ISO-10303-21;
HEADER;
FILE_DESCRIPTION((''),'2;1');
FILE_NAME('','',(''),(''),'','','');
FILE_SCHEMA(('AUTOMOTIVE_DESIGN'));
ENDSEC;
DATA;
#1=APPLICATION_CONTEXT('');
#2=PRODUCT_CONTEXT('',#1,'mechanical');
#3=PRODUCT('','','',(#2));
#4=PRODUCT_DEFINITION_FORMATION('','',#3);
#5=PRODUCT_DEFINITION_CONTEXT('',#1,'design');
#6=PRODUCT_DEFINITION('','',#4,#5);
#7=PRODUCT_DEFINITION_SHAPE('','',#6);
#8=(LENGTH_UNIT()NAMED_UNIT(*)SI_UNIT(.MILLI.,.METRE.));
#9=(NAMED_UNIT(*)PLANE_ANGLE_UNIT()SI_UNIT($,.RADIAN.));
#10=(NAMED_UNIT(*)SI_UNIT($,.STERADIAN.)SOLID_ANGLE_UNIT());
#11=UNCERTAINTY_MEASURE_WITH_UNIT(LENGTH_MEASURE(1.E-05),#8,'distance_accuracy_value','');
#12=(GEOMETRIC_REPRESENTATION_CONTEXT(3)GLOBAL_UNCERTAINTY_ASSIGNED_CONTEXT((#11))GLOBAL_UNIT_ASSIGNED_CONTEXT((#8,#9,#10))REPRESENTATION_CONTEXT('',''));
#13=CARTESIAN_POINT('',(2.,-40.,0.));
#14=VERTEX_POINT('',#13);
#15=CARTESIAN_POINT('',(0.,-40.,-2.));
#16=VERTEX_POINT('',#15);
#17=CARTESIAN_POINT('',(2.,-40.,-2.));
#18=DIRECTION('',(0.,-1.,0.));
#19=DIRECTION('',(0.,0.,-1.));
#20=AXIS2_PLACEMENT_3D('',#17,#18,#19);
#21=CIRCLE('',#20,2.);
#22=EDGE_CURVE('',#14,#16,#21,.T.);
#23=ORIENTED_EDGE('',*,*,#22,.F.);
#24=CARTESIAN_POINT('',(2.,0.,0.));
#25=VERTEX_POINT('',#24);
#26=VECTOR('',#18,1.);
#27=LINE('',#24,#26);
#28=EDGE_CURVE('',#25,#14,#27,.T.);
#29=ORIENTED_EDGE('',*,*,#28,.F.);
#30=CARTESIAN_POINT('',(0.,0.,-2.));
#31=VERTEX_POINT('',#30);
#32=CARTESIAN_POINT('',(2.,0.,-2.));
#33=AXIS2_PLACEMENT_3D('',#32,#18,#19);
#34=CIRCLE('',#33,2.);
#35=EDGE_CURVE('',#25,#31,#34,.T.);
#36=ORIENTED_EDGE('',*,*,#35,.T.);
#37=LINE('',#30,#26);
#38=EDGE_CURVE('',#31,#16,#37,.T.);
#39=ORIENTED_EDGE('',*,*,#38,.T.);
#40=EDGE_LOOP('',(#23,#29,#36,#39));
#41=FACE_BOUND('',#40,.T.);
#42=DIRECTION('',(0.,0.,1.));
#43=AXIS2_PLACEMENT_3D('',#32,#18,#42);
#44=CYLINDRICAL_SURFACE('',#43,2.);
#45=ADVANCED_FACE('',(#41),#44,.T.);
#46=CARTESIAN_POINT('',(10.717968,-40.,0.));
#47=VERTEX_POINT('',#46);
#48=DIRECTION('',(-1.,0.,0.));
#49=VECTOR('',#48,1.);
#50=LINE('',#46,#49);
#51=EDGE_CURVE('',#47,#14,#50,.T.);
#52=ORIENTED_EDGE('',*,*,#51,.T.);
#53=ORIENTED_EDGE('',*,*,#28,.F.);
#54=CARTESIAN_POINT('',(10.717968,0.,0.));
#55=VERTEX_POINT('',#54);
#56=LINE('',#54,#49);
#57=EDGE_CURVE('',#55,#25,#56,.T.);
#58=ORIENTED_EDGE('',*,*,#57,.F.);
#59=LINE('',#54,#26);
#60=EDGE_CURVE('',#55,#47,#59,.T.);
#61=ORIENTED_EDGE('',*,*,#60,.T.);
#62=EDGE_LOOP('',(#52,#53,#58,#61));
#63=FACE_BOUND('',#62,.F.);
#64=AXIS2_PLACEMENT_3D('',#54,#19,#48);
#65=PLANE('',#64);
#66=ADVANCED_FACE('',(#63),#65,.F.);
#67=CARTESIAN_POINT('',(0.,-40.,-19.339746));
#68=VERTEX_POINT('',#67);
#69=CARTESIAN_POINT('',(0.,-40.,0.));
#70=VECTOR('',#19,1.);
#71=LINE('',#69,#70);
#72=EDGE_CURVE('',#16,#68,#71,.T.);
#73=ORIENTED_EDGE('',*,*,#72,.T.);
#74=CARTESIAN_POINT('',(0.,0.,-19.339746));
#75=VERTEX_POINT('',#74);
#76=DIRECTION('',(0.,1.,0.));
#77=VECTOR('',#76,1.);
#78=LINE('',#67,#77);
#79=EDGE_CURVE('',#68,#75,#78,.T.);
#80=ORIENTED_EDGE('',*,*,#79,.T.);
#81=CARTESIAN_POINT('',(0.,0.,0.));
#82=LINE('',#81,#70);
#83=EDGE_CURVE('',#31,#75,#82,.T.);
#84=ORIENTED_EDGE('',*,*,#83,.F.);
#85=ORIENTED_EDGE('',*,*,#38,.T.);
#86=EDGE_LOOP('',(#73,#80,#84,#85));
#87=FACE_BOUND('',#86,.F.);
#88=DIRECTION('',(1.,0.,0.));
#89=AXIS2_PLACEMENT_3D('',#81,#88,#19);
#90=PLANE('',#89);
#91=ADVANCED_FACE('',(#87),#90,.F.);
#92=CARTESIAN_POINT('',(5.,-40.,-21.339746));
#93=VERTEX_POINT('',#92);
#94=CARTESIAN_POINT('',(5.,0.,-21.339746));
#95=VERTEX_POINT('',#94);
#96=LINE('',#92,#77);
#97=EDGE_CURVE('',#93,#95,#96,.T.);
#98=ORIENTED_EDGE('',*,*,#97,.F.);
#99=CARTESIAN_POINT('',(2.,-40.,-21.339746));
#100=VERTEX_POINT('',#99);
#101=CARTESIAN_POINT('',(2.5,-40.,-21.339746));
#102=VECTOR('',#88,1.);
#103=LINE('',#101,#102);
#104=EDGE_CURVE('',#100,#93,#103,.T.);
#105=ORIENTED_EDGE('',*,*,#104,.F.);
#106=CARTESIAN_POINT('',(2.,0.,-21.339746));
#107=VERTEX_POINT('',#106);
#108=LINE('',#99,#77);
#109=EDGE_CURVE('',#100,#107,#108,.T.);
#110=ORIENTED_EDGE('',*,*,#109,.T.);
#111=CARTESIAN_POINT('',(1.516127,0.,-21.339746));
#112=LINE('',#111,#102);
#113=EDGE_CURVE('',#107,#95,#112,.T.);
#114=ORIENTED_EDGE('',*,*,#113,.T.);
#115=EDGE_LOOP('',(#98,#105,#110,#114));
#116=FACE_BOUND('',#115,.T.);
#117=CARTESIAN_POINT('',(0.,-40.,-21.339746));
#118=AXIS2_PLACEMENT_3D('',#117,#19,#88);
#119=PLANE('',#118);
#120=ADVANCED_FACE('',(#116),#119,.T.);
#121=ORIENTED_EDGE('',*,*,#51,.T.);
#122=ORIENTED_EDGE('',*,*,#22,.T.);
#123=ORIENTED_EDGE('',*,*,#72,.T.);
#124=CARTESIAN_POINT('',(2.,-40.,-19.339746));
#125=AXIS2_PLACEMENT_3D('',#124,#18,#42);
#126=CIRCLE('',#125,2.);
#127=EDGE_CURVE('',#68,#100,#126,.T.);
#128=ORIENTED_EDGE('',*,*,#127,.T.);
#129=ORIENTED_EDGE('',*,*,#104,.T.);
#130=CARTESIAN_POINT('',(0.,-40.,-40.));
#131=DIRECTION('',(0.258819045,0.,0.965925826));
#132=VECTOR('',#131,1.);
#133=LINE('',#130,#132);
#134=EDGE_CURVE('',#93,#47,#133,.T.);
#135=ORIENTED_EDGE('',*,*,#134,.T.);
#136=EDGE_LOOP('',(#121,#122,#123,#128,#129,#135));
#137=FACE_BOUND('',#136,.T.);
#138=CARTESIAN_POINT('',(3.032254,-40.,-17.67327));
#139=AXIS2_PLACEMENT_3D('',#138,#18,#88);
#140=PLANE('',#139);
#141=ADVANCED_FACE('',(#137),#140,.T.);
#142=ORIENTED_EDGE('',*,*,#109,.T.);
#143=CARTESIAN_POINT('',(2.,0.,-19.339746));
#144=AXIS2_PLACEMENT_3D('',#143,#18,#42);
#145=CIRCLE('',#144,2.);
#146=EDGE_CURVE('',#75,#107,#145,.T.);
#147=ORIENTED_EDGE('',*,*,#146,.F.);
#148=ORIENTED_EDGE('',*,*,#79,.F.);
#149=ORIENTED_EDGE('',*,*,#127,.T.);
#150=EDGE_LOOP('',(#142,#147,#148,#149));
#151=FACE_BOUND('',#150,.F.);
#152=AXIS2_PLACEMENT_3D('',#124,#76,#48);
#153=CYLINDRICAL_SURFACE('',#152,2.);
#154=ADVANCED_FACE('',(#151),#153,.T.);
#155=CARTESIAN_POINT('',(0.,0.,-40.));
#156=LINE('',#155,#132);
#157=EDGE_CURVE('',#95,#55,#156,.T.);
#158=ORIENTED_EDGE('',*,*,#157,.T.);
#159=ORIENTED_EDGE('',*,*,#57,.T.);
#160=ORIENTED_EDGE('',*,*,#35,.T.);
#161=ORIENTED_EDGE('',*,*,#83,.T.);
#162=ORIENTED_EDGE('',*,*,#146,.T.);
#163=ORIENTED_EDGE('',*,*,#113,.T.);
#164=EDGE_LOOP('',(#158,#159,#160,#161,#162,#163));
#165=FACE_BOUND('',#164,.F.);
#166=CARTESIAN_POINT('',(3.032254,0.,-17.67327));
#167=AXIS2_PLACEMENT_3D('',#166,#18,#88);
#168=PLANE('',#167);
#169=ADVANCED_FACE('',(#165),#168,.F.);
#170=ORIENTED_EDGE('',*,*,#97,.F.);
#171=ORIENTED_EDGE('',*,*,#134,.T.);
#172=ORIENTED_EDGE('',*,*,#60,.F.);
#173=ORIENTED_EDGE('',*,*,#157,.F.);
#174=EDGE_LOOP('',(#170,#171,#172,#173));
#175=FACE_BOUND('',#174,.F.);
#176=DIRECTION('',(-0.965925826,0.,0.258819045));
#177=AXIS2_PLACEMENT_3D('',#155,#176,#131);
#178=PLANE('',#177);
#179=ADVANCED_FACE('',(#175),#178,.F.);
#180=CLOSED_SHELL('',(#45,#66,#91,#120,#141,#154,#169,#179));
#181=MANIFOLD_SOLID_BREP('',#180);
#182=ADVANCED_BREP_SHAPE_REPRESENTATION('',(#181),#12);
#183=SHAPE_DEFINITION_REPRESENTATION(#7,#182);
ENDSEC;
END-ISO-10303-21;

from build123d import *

# Parameters (mm, degrees)
F1_DEPTH = 40
F2_W     = 5
F2_H     = 18.6602540378
F3_DEPTH = 40.001
F4_R     = 2


with BuildPart() as f1:
    # F0 (on Front) → F1 (new body)
    with BuildSketch(Plane.XZ):
        Polygon((10.7179676972, 0), (0, 0), (0, -40), align=None)
    extrude(amount=F1_DEPTH)

    # F2 (on face) → F3 (cut, through all)
    with BuildSketch(Plane.XZ.offset(40)):
        with Locations((2.5, -30.6698729811)):
            Rectangle(F2_W, F2_H)
    extrude(amount=-F3_DEPTH, mode=Mode.SUBTRACT)

    # F4
    f4_edges = [f1.edges().sort_by_distance(p)[0] for p in [
        (0, -20, 0),
        (0, -20, -21.339746),
    ]]
    fillet(f4_edges, radius=F4_R)


solid = f1.part
